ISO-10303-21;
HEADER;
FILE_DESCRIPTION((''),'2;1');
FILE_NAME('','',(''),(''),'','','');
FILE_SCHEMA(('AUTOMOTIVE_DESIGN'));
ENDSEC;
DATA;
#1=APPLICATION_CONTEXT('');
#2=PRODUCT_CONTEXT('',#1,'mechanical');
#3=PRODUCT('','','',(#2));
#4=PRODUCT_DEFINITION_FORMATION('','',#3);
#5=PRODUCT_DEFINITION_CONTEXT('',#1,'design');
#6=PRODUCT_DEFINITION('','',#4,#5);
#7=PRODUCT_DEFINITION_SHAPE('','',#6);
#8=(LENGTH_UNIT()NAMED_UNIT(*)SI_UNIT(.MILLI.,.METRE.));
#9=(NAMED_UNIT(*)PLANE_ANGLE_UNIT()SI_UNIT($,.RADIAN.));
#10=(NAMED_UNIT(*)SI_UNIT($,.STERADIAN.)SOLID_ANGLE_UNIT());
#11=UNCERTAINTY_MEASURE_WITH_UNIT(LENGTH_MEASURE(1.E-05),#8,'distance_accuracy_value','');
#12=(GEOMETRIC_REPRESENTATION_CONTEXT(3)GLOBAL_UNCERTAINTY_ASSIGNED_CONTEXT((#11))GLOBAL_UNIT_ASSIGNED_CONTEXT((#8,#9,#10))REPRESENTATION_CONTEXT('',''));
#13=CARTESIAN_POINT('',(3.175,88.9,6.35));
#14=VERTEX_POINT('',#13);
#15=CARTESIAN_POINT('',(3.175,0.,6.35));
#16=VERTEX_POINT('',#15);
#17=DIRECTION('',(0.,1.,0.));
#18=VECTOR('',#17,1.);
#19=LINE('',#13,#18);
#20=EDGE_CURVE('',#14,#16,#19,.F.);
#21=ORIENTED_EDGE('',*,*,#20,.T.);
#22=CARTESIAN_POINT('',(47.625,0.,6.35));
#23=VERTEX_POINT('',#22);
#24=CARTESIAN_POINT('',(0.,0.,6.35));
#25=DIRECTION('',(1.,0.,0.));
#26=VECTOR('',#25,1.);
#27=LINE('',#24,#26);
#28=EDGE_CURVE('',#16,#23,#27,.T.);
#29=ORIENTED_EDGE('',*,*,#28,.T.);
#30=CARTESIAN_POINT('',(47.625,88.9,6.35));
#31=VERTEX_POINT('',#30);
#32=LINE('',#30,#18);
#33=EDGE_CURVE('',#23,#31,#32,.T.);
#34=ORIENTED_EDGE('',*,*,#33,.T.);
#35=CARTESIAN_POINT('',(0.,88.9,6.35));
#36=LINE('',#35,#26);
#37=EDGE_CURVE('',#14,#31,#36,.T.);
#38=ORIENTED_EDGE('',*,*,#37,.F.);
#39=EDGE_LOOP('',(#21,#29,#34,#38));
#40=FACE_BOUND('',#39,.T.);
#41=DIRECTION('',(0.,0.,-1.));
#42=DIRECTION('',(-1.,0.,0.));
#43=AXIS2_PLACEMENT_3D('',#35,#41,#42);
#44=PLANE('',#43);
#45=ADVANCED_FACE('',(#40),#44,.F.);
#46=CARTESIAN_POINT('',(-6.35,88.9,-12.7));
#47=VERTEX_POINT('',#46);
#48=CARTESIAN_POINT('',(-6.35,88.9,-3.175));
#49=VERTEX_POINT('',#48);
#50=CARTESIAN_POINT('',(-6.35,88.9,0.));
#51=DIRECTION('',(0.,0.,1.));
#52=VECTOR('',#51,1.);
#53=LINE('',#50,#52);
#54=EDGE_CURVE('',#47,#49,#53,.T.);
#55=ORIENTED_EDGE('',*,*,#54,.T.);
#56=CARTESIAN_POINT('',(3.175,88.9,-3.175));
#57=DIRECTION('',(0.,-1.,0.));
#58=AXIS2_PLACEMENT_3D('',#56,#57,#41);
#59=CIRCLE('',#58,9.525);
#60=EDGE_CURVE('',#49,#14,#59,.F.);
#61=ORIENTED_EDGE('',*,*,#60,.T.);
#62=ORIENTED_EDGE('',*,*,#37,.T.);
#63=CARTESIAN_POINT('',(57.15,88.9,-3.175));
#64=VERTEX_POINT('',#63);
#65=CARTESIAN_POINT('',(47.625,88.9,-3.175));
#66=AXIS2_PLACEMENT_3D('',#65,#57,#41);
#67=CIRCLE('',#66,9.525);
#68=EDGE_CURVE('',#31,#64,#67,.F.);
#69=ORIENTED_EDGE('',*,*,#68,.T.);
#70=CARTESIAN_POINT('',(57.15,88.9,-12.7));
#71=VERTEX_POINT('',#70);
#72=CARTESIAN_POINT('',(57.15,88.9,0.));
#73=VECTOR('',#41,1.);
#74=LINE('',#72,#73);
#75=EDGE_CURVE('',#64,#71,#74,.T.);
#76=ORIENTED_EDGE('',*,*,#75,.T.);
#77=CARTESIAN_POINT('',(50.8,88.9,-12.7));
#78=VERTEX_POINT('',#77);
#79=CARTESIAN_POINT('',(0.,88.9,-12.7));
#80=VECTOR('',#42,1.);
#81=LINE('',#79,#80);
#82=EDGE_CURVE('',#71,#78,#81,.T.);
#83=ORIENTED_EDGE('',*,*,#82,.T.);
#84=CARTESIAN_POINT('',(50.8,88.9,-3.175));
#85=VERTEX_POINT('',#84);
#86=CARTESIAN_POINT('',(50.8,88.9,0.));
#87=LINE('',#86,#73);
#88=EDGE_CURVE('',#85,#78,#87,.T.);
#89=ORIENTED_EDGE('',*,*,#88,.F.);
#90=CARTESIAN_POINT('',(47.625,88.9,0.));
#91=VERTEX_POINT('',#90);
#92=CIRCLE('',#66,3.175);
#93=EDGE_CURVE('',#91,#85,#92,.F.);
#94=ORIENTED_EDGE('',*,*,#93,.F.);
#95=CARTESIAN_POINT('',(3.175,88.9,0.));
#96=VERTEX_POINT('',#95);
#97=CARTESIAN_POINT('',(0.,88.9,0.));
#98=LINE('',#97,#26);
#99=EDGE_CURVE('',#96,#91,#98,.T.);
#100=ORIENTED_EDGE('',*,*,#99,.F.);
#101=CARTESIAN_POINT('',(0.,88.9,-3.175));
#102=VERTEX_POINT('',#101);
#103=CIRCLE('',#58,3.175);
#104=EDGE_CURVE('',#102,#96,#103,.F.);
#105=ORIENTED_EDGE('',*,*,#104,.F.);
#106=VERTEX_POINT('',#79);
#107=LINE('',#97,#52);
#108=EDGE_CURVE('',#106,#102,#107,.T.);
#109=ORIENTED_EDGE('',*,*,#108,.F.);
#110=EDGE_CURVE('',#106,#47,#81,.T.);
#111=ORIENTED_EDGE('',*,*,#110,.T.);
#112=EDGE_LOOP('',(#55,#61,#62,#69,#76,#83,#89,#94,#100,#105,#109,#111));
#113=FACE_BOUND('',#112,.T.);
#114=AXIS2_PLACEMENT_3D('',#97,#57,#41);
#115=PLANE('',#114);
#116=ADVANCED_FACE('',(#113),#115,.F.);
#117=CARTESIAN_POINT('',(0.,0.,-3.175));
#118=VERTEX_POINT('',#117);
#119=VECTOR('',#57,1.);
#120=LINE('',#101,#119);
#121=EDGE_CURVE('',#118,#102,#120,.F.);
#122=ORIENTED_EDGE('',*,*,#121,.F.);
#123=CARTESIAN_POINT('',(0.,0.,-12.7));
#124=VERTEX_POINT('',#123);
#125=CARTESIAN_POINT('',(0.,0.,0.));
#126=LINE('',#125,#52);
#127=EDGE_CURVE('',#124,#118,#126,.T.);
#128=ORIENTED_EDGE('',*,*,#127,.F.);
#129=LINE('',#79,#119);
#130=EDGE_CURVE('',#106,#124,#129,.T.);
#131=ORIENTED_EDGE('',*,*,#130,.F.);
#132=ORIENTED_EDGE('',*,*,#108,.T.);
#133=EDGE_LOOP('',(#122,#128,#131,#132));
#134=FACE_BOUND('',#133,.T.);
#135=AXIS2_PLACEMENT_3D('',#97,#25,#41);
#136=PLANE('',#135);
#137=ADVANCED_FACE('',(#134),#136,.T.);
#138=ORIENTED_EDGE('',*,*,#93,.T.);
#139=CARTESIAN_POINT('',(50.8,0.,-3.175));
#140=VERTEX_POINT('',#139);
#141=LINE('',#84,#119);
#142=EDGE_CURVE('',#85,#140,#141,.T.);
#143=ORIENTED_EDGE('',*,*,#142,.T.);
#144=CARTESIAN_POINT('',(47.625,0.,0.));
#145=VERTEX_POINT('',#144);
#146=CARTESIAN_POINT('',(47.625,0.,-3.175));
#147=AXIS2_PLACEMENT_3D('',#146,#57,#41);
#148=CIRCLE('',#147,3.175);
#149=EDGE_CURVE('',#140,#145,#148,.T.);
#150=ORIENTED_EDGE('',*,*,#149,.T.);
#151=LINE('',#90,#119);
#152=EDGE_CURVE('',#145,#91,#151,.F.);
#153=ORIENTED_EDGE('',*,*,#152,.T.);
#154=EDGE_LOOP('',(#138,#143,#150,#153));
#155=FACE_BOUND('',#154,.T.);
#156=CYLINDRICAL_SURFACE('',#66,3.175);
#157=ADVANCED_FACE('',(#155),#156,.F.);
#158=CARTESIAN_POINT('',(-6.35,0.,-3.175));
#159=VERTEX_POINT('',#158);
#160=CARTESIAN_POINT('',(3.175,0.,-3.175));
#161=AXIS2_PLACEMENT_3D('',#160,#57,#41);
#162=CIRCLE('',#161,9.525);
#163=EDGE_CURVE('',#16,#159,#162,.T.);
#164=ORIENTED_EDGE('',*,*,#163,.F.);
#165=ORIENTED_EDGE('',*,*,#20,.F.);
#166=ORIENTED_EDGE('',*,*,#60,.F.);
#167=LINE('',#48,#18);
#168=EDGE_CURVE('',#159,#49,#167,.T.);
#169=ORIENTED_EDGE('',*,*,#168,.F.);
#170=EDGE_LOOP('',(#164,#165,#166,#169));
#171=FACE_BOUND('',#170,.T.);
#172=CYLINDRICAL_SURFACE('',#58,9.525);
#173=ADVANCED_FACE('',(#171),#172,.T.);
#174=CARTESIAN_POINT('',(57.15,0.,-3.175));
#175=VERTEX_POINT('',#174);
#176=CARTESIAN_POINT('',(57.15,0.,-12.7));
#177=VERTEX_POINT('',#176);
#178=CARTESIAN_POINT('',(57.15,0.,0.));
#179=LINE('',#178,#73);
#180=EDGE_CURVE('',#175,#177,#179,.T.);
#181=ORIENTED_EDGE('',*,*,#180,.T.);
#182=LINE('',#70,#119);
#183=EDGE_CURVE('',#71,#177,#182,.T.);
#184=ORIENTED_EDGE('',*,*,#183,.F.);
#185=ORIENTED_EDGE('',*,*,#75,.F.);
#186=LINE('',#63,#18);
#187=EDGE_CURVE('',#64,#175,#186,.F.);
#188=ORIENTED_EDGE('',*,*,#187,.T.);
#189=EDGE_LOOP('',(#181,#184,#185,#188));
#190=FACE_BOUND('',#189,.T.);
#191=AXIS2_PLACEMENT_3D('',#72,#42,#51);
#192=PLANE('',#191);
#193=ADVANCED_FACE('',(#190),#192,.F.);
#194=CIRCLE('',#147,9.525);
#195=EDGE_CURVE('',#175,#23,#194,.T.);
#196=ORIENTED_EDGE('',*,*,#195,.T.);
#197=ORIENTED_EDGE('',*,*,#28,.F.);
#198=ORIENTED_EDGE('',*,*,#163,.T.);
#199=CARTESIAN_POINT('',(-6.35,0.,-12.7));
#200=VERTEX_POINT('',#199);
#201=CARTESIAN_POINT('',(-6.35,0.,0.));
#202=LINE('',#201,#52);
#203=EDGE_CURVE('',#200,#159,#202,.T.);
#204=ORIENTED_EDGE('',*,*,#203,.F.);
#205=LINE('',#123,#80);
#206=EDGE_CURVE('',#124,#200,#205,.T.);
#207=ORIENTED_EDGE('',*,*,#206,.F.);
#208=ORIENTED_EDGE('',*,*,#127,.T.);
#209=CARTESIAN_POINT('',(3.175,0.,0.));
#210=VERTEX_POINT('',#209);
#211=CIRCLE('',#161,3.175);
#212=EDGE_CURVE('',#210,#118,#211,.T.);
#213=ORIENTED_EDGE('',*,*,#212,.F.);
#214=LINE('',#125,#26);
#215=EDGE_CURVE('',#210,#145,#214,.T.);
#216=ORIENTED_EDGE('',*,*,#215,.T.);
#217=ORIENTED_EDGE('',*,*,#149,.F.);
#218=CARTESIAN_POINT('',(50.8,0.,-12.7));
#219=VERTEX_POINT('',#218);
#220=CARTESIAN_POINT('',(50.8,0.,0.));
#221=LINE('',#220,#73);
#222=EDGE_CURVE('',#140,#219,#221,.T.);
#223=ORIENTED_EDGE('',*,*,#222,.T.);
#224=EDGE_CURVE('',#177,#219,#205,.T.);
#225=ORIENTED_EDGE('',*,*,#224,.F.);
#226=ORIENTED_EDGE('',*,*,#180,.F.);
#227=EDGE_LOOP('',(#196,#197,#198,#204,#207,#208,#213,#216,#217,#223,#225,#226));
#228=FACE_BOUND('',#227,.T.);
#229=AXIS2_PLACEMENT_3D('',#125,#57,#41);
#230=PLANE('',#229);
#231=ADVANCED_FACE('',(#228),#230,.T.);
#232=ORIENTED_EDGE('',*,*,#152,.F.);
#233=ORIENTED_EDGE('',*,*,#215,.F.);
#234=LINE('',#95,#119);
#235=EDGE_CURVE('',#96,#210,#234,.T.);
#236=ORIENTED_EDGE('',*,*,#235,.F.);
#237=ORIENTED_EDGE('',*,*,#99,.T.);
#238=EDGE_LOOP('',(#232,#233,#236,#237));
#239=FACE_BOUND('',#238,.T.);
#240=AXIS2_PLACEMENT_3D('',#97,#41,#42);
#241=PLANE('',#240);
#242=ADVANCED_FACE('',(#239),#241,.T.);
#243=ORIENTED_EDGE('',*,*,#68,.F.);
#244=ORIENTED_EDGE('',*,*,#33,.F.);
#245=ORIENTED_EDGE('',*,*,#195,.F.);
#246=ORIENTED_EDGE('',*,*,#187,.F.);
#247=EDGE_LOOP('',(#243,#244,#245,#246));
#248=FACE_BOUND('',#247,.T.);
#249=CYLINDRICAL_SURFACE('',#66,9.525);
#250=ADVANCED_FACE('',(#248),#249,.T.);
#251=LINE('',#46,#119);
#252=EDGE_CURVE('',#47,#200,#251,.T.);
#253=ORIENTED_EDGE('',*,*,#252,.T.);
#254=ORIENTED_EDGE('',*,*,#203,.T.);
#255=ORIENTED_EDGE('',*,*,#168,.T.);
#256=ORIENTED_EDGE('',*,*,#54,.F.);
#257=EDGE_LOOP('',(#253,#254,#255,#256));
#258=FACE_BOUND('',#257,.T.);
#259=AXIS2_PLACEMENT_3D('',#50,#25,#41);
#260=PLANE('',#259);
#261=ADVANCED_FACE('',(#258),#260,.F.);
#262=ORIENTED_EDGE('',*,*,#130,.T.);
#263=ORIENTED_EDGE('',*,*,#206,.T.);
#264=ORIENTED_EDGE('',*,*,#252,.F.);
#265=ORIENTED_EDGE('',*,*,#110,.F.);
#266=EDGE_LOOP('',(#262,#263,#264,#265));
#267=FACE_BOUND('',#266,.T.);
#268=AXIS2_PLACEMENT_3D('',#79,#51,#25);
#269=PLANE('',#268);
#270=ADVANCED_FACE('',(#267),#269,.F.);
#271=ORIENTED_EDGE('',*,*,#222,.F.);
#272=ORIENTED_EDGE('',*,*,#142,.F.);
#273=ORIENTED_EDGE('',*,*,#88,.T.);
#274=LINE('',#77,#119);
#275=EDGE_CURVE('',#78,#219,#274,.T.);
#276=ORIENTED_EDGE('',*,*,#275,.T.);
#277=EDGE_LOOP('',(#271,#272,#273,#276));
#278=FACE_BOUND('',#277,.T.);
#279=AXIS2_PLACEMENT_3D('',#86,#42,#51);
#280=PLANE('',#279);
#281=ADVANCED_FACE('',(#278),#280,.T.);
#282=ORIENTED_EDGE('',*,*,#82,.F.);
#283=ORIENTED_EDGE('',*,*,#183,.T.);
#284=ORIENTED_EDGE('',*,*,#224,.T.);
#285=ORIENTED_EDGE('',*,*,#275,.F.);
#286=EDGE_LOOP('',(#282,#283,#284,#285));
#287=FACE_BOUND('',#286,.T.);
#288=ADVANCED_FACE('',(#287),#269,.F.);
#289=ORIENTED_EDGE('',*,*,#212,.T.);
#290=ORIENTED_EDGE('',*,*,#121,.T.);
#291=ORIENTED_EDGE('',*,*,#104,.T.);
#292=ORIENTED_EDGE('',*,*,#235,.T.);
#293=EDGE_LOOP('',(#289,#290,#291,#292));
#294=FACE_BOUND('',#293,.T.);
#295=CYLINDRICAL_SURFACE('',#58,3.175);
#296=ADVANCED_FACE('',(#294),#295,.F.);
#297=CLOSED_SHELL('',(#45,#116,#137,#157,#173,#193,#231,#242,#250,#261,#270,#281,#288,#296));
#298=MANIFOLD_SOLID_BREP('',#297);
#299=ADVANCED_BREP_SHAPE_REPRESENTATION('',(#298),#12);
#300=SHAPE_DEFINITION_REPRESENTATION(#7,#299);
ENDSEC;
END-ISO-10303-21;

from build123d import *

# Parameters (mm, degrees)
SKETCH2_W           = 50.8
SKETCH2_H           = 12.7
BOSS_EXTRUDE1_DEPTH = 88.9
FILLET2_R           = 3.175
SHELL1_T            = 6.35


with BuildPart() as part:
    # Sketch2 → Boss-Extrude1 (new body)
    with BuildSketch(Plane(origin=(0, 0, 0), x_dir=(1, 0, 0), z_dir=(0, 1, 0))):
        with Locations((25.4, 6.35)):
            Rectangle(SKETCH2_W, SKETCH2_H)
    extrude(amount=BOSS_EXTRUDE1_DEPTH)

    # Fillet2
    fillet2_edges = [part.edges().sort_by_distance(p)[0] for p in [
        (50.8, 44.45, 0),
        (0, 44.45, 0),
    ]]
    fillet(fillet2_edges, radius=FILLET2_R)

    # Shell1
    shell1_openings = [part.faces().sort_by_distance(p)[0] for p in [
        (25.4, 0, -6.38808439),
        (25.4, 88.9, -6.38808439),
        (25.4, 44.45, -12.7),
    ]]
    offset(amount=SHELL1_T, openings=shell1_openings, kind=Kind.INTERSECTION)


solid = part.part
